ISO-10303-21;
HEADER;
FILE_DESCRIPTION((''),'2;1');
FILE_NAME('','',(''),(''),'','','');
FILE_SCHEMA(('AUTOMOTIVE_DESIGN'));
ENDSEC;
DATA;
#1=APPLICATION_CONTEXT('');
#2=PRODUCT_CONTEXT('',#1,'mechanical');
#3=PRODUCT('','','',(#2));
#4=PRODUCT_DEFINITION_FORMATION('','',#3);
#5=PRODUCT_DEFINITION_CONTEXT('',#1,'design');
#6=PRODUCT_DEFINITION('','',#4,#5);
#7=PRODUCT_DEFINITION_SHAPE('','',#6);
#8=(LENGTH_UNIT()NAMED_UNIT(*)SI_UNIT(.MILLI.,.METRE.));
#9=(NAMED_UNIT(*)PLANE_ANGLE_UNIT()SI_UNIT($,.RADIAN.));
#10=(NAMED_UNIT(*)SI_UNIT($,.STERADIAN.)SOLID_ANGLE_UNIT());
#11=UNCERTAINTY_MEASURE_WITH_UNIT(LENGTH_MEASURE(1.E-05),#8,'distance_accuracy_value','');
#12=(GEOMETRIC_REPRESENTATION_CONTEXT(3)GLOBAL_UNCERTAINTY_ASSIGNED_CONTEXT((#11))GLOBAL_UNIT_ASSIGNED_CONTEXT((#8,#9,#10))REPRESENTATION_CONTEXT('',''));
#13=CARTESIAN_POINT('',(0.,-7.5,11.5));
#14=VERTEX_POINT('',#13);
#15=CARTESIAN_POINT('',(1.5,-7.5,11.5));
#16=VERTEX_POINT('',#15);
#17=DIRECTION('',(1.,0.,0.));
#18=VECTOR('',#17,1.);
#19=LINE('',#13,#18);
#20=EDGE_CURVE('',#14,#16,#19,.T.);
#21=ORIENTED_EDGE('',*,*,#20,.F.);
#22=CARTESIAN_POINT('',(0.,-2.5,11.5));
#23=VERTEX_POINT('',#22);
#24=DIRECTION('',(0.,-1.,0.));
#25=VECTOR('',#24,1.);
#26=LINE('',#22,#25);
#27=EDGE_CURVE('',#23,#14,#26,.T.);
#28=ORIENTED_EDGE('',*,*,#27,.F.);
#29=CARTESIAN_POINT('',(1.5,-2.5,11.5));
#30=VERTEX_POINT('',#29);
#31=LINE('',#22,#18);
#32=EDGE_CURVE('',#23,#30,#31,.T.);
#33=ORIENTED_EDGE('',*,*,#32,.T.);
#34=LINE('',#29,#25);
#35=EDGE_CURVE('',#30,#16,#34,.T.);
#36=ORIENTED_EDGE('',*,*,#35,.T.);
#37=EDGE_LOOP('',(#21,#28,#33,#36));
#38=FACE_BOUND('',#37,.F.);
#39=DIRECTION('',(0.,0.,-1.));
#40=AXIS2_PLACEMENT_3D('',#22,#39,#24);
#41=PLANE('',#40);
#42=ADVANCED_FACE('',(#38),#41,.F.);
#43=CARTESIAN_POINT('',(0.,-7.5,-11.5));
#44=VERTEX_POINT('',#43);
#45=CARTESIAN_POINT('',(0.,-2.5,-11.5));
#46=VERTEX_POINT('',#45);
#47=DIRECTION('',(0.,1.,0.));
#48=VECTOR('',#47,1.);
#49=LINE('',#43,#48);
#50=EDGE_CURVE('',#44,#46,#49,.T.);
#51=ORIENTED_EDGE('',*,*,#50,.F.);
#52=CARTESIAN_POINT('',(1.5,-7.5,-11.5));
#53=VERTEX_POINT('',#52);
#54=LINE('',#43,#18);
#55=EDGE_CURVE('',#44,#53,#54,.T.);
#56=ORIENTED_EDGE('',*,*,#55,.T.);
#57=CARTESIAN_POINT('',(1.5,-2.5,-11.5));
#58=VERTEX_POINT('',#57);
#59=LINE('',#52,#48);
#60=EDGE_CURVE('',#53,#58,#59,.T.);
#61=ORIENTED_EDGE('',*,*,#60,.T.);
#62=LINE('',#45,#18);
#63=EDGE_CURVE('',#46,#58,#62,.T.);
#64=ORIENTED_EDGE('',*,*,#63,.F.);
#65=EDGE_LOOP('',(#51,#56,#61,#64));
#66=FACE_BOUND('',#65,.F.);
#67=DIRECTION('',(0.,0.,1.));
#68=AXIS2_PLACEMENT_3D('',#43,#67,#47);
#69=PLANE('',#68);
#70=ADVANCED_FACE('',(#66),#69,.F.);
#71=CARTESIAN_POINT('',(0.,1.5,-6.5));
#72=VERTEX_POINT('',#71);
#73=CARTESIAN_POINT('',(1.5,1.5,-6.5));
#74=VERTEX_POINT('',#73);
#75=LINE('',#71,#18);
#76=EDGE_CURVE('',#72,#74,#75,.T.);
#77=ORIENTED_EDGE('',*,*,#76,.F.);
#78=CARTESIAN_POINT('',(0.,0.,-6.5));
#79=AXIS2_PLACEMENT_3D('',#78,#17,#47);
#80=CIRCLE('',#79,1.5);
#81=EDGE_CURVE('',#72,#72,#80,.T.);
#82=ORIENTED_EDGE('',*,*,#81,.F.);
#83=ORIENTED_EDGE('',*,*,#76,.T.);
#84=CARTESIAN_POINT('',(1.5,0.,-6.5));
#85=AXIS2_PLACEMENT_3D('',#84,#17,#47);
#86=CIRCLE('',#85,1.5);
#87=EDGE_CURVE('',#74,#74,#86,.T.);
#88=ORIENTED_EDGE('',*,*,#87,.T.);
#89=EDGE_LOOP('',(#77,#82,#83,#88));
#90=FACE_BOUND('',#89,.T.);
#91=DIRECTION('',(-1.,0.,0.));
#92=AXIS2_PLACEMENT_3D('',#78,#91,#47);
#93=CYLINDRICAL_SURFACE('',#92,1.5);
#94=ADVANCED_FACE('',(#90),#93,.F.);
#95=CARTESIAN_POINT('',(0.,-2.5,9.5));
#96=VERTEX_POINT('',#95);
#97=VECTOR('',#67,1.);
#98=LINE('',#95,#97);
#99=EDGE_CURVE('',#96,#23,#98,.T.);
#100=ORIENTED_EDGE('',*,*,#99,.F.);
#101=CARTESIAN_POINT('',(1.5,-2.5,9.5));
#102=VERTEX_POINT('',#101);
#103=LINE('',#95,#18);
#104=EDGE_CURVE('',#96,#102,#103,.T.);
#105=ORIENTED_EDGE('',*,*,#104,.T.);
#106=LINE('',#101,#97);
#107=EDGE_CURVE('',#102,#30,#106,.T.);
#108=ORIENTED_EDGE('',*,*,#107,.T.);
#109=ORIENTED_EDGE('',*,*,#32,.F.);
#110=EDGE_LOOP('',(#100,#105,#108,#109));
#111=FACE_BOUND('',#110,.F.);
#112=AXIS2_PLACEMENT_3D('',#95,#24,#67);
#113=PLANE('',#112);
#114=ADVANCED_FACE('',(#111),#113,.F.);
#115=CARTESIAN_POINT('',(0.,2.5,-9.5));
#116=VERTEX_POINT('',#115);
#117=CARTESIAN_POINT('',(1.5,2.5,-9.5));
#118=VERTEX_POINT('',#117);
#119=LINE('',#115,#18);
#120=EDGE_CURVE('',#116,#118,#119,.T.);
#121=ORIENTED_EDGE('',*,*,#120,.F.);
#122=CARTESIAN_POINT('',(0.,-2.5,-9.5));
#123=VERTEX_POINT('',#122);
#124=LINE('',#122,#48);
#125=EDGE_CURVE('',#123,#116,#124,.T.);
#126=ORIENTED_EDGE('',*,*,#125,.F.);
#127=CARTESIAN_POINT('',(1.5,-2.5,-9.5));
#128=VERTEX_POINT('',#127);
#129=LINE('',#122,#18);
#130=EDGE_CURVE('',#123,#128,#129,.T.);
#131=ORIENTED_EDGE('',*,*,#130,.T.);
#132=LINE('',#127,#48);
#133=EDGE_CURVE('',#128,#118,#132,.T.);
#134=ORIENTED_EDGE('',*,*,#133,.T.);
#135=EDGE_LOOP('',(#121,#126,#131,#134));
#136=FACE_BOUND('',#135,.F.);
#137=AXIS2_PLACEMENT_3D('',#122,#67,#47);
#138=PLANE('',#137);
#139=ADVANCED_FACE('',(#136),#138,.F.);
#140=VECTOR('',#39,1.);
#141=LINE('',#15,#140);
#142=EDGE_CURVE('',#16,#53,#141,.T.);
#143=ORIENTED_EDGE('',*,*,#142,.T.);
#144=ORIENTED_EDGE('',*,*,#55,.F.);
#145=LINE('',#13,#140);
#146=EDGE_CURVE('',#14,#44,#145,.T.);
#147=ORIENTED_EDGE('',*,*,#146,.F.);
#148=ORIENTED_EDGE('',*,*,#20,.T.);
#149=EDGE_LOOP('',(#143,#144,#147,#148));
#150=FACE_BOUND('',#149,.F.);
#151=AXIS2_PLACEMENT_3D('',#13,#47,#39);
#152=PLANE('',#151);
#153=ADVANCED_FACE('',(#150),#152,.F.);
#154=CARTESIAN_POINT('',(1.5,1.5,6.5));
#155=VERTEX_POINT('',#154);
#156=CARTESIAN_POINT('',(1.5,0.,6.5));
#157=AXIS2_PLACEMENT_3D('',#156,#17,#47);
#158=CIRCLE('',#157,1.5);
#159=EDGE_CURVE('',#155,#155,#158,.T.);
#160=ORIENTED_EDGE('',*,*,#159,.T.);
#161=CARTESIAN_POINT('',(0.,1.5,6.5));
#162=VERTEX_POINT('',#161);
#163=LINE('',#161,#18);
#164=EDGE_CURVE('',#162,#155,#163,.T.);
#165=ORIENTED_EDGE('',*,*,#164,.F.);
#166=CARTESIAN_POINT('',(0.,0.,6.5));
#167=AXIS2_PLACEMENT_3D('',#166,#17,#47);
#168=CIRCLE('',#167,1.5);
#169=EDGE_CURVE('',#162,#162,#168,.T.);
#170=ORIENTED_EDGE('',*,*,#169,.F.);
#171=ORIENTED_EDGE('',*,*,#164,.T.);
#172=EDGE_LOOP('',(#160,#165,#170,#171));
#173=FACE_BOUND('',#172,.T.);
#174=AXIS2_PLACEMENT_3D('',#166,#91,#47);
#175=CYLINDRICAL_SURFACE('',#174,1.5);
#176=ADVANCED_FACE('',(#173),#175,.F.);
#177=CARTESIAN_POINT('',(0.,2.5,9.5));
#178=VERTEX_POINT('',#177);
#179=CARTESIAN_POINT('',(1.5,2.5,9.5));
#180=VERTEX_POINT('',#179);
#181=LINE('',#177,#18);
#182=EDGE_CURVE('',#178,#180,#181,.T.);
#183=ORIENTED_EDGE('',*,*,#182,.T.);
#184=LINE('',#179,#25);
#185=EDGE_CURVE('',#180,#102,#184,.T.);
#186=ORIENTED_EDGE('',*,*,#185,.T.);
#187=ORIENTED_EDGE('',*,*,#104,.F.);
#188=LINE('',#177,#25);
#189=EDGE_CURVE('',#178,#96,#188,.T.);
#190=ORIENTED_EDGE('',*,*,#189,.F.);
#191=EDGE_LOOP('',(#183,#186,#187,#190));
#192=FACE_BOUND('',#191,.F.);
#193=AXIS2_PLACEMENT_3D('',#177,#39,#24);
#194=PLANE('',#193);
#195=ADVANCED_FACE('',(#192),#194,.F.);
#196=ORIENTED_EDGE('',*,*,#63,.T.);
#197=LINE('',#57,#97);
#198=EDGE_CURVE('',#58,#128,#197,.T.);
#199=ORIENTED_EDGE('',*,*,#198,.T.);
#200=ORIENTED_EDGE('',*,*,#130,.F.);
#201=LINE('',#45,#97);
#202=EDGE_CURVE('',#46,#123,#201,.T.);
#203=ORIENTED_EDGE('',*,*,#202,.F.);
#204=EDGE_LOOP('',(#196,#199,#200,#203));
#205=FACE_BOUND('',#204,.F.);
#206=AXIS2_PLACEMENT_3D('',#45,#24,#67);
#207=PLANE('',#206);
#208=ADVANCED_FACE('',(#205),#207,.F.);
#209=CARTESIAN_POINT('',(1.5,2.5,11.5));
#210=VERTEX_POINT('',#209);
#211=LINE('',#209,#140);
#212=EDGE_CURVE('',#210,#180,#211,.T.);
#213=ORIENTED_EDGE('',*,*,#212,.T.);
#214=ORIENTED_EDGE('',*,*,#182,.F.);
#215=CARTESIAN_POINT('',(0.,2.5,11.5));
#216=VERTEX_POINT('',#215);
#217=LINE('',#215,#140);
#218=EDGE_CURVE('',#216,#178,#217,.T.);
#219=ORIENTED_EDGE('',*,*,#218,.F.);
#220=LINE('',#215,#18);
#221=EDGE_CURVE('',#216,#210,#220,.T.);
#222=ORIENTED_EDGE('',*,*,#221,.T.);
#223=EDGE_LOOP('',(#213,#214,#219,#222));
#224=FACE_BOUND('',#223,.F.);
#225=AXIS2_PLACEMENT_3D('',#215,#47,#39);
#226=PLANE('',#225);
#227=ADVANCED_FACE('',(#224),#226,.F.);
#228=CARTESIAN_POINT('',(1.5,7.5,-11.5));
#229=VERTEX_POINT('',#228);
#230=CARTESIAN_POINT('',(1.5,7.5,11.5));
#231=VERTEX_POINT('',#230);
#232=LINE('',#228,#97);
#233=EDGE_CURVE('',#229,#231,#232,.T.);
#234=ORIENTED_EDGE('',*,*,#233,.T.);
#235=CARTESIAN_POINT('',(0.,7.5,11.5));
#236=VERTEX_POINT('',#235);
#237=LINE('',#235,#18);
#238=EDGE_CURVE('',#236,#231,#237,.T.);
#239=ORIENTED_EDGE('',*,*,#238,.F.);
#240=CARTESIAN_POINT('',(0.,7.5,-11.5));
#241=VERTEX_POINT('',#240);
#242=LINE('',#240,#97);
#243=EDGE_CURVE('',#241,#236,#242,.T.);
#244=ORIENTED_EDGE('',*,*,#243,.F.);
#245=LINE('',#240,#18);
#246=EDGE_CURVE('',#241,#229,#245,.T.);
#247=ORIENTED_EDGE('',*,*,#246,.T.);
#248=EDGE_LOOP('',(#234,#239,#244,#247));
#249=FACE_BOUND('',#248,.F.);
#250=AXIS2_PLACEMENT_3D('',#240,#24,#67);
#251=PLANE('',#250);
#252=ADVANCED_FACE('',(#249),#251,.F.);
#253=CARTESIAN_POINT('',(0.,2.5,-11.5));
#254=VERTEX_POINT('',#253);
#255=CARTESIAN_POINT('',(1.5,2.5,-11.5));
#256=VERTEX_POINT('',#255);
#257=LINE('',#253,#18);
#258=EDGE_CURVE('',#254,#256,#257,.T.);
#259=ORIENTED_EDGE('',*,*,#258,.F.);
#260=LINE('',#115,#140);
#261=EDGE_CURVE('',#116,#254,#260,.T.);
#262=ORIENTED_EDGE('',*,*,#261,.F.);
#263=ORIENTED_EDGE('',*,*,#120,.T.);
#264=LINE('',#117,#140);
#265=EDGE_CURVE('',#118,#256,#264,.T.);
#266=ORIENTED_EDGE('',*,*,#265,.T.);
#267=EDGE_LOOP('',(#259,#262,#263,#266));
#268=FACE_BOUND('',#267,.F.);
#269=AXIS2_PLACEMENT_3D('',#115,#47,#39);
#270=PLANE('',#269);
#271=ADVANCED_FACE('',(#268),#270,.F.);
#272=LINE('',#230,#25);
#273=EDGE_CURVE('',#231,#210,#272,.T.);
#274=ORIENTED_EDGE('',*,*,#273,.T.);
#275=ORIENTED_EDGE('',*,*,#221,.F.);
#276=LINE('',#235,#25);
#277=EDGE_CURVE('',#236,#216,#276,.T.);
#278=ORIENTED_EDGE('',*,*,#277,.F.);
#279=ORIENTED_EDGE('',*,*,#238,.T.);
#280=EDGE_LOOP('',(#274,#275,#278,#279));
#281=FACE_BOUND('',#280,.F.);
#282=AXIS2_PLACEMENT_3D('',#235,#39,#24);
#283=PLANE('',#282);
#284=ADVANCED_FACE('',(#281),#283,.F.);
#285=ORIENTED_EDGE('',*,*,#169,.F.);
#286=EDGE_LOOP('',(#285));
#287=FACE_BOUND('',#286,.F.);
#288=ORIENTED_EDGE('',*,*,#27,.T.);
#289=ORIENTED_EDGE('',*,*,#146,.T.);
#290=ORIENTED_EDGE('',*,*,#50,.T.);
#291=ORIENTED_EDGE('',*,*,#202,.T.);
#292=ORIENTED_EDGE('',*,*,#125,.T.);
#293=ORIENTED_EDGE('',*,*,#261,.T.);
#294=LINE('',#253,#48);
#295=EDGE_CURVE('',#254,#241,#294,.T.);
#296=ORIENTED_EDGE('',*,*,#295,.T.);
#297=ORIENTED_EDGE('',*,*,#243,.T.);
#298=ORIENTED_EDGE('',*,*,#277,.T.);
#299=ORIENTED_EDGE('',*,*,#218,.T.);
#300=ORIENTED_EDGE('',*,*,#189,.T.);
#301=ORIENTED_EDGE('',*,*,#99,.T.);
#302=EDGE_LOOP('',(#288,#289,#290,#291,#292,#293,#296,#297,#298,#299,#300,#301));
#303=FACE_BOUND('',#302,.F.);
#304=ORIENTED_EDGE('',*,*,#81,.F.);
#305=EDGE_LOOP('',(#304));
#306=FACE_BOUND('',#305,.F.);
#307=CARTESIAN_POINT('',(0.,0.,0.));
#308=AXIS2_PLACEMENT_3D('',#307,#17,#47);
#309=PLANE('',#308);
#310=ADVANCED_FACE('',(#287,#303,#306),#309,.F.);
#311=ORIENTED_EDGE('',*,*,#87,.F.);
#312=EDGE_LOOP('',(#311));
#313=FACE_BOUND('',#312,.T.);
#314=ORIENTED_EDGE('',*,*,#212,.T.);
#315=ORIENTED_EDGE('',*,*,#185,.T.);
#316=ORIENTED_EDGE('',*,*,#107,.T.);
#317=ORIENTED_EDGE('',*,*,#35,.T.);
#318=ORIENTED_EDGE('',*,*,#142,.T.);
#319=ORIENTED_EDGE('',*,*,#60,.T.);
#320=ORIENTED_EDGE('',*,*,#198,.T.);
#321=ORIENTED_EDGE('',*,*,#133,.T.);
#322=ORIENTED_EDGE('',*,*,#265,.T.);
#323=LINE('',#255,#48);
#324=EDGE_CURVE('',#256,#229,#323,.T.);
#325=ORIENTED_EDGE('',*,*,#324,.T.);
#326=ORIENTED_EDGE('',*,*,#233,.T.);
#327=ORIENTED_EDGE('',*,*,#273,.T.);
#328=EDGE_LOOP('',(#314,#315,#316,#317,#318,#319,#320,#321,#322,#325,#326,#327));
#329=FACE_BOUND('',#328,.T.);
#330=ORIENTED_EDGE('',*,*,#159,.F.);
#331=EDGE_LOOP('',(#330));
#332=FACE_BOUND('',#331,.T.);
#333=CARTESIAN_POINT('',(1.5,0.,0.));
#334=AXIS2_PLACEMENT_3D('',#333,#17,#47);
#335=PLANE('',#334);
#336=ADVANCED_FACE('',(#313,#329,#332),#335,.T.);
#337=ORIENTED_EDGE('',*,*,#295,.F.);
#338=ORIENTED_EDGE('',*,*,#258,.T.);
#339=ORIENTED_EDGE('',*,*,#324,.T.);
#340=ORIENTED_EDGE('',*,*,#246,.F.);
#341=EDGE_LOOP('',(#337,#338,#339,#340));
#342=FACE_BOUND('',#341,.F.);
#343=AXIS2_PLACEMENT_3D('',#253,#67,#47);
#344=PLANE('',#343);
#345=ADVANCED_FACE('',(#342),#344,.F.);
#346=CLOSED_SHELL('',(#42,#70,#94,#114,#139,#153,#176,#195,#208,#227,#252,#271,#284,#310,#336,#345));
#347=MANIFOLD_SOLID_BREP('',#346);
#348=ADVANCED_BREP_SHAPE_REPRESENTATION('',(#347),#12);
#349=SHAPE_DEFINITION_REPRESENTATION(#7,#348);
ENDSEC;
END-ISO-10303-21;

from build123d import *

# Parameters (mm, degrees)
F0_R     = 1.5
F1_DEPTH = 1.5


with BuildPart() as f1:
    # F0 (on Right) → F1 (new body)
    with BuildSketch(Plane.YZ):
        Polygon((7.5, -11.5), (7.5, 11.5), (2.5, 11.5), (2.5, 9.5), (0, 9.5), (-2.5, 9.5), (-2.5, 11.5), (-7.5, 11.5), (-7.5, -11.5), (-2.5, -11.5), (-2.5, -9.5), (0, -9.5), (2.5, -9.5), (2.5, -11.5), align=None)
        with Locations((0, -6.5)):
            Circle(F0_R, mode=Mode.SUBTRACT)
        with Locations((0, 6.5)):
            Circle(F0_R, mode=Mode.SUBTRACT)
    extrude(amount=F1_DEPTH)


solid = f1.part
